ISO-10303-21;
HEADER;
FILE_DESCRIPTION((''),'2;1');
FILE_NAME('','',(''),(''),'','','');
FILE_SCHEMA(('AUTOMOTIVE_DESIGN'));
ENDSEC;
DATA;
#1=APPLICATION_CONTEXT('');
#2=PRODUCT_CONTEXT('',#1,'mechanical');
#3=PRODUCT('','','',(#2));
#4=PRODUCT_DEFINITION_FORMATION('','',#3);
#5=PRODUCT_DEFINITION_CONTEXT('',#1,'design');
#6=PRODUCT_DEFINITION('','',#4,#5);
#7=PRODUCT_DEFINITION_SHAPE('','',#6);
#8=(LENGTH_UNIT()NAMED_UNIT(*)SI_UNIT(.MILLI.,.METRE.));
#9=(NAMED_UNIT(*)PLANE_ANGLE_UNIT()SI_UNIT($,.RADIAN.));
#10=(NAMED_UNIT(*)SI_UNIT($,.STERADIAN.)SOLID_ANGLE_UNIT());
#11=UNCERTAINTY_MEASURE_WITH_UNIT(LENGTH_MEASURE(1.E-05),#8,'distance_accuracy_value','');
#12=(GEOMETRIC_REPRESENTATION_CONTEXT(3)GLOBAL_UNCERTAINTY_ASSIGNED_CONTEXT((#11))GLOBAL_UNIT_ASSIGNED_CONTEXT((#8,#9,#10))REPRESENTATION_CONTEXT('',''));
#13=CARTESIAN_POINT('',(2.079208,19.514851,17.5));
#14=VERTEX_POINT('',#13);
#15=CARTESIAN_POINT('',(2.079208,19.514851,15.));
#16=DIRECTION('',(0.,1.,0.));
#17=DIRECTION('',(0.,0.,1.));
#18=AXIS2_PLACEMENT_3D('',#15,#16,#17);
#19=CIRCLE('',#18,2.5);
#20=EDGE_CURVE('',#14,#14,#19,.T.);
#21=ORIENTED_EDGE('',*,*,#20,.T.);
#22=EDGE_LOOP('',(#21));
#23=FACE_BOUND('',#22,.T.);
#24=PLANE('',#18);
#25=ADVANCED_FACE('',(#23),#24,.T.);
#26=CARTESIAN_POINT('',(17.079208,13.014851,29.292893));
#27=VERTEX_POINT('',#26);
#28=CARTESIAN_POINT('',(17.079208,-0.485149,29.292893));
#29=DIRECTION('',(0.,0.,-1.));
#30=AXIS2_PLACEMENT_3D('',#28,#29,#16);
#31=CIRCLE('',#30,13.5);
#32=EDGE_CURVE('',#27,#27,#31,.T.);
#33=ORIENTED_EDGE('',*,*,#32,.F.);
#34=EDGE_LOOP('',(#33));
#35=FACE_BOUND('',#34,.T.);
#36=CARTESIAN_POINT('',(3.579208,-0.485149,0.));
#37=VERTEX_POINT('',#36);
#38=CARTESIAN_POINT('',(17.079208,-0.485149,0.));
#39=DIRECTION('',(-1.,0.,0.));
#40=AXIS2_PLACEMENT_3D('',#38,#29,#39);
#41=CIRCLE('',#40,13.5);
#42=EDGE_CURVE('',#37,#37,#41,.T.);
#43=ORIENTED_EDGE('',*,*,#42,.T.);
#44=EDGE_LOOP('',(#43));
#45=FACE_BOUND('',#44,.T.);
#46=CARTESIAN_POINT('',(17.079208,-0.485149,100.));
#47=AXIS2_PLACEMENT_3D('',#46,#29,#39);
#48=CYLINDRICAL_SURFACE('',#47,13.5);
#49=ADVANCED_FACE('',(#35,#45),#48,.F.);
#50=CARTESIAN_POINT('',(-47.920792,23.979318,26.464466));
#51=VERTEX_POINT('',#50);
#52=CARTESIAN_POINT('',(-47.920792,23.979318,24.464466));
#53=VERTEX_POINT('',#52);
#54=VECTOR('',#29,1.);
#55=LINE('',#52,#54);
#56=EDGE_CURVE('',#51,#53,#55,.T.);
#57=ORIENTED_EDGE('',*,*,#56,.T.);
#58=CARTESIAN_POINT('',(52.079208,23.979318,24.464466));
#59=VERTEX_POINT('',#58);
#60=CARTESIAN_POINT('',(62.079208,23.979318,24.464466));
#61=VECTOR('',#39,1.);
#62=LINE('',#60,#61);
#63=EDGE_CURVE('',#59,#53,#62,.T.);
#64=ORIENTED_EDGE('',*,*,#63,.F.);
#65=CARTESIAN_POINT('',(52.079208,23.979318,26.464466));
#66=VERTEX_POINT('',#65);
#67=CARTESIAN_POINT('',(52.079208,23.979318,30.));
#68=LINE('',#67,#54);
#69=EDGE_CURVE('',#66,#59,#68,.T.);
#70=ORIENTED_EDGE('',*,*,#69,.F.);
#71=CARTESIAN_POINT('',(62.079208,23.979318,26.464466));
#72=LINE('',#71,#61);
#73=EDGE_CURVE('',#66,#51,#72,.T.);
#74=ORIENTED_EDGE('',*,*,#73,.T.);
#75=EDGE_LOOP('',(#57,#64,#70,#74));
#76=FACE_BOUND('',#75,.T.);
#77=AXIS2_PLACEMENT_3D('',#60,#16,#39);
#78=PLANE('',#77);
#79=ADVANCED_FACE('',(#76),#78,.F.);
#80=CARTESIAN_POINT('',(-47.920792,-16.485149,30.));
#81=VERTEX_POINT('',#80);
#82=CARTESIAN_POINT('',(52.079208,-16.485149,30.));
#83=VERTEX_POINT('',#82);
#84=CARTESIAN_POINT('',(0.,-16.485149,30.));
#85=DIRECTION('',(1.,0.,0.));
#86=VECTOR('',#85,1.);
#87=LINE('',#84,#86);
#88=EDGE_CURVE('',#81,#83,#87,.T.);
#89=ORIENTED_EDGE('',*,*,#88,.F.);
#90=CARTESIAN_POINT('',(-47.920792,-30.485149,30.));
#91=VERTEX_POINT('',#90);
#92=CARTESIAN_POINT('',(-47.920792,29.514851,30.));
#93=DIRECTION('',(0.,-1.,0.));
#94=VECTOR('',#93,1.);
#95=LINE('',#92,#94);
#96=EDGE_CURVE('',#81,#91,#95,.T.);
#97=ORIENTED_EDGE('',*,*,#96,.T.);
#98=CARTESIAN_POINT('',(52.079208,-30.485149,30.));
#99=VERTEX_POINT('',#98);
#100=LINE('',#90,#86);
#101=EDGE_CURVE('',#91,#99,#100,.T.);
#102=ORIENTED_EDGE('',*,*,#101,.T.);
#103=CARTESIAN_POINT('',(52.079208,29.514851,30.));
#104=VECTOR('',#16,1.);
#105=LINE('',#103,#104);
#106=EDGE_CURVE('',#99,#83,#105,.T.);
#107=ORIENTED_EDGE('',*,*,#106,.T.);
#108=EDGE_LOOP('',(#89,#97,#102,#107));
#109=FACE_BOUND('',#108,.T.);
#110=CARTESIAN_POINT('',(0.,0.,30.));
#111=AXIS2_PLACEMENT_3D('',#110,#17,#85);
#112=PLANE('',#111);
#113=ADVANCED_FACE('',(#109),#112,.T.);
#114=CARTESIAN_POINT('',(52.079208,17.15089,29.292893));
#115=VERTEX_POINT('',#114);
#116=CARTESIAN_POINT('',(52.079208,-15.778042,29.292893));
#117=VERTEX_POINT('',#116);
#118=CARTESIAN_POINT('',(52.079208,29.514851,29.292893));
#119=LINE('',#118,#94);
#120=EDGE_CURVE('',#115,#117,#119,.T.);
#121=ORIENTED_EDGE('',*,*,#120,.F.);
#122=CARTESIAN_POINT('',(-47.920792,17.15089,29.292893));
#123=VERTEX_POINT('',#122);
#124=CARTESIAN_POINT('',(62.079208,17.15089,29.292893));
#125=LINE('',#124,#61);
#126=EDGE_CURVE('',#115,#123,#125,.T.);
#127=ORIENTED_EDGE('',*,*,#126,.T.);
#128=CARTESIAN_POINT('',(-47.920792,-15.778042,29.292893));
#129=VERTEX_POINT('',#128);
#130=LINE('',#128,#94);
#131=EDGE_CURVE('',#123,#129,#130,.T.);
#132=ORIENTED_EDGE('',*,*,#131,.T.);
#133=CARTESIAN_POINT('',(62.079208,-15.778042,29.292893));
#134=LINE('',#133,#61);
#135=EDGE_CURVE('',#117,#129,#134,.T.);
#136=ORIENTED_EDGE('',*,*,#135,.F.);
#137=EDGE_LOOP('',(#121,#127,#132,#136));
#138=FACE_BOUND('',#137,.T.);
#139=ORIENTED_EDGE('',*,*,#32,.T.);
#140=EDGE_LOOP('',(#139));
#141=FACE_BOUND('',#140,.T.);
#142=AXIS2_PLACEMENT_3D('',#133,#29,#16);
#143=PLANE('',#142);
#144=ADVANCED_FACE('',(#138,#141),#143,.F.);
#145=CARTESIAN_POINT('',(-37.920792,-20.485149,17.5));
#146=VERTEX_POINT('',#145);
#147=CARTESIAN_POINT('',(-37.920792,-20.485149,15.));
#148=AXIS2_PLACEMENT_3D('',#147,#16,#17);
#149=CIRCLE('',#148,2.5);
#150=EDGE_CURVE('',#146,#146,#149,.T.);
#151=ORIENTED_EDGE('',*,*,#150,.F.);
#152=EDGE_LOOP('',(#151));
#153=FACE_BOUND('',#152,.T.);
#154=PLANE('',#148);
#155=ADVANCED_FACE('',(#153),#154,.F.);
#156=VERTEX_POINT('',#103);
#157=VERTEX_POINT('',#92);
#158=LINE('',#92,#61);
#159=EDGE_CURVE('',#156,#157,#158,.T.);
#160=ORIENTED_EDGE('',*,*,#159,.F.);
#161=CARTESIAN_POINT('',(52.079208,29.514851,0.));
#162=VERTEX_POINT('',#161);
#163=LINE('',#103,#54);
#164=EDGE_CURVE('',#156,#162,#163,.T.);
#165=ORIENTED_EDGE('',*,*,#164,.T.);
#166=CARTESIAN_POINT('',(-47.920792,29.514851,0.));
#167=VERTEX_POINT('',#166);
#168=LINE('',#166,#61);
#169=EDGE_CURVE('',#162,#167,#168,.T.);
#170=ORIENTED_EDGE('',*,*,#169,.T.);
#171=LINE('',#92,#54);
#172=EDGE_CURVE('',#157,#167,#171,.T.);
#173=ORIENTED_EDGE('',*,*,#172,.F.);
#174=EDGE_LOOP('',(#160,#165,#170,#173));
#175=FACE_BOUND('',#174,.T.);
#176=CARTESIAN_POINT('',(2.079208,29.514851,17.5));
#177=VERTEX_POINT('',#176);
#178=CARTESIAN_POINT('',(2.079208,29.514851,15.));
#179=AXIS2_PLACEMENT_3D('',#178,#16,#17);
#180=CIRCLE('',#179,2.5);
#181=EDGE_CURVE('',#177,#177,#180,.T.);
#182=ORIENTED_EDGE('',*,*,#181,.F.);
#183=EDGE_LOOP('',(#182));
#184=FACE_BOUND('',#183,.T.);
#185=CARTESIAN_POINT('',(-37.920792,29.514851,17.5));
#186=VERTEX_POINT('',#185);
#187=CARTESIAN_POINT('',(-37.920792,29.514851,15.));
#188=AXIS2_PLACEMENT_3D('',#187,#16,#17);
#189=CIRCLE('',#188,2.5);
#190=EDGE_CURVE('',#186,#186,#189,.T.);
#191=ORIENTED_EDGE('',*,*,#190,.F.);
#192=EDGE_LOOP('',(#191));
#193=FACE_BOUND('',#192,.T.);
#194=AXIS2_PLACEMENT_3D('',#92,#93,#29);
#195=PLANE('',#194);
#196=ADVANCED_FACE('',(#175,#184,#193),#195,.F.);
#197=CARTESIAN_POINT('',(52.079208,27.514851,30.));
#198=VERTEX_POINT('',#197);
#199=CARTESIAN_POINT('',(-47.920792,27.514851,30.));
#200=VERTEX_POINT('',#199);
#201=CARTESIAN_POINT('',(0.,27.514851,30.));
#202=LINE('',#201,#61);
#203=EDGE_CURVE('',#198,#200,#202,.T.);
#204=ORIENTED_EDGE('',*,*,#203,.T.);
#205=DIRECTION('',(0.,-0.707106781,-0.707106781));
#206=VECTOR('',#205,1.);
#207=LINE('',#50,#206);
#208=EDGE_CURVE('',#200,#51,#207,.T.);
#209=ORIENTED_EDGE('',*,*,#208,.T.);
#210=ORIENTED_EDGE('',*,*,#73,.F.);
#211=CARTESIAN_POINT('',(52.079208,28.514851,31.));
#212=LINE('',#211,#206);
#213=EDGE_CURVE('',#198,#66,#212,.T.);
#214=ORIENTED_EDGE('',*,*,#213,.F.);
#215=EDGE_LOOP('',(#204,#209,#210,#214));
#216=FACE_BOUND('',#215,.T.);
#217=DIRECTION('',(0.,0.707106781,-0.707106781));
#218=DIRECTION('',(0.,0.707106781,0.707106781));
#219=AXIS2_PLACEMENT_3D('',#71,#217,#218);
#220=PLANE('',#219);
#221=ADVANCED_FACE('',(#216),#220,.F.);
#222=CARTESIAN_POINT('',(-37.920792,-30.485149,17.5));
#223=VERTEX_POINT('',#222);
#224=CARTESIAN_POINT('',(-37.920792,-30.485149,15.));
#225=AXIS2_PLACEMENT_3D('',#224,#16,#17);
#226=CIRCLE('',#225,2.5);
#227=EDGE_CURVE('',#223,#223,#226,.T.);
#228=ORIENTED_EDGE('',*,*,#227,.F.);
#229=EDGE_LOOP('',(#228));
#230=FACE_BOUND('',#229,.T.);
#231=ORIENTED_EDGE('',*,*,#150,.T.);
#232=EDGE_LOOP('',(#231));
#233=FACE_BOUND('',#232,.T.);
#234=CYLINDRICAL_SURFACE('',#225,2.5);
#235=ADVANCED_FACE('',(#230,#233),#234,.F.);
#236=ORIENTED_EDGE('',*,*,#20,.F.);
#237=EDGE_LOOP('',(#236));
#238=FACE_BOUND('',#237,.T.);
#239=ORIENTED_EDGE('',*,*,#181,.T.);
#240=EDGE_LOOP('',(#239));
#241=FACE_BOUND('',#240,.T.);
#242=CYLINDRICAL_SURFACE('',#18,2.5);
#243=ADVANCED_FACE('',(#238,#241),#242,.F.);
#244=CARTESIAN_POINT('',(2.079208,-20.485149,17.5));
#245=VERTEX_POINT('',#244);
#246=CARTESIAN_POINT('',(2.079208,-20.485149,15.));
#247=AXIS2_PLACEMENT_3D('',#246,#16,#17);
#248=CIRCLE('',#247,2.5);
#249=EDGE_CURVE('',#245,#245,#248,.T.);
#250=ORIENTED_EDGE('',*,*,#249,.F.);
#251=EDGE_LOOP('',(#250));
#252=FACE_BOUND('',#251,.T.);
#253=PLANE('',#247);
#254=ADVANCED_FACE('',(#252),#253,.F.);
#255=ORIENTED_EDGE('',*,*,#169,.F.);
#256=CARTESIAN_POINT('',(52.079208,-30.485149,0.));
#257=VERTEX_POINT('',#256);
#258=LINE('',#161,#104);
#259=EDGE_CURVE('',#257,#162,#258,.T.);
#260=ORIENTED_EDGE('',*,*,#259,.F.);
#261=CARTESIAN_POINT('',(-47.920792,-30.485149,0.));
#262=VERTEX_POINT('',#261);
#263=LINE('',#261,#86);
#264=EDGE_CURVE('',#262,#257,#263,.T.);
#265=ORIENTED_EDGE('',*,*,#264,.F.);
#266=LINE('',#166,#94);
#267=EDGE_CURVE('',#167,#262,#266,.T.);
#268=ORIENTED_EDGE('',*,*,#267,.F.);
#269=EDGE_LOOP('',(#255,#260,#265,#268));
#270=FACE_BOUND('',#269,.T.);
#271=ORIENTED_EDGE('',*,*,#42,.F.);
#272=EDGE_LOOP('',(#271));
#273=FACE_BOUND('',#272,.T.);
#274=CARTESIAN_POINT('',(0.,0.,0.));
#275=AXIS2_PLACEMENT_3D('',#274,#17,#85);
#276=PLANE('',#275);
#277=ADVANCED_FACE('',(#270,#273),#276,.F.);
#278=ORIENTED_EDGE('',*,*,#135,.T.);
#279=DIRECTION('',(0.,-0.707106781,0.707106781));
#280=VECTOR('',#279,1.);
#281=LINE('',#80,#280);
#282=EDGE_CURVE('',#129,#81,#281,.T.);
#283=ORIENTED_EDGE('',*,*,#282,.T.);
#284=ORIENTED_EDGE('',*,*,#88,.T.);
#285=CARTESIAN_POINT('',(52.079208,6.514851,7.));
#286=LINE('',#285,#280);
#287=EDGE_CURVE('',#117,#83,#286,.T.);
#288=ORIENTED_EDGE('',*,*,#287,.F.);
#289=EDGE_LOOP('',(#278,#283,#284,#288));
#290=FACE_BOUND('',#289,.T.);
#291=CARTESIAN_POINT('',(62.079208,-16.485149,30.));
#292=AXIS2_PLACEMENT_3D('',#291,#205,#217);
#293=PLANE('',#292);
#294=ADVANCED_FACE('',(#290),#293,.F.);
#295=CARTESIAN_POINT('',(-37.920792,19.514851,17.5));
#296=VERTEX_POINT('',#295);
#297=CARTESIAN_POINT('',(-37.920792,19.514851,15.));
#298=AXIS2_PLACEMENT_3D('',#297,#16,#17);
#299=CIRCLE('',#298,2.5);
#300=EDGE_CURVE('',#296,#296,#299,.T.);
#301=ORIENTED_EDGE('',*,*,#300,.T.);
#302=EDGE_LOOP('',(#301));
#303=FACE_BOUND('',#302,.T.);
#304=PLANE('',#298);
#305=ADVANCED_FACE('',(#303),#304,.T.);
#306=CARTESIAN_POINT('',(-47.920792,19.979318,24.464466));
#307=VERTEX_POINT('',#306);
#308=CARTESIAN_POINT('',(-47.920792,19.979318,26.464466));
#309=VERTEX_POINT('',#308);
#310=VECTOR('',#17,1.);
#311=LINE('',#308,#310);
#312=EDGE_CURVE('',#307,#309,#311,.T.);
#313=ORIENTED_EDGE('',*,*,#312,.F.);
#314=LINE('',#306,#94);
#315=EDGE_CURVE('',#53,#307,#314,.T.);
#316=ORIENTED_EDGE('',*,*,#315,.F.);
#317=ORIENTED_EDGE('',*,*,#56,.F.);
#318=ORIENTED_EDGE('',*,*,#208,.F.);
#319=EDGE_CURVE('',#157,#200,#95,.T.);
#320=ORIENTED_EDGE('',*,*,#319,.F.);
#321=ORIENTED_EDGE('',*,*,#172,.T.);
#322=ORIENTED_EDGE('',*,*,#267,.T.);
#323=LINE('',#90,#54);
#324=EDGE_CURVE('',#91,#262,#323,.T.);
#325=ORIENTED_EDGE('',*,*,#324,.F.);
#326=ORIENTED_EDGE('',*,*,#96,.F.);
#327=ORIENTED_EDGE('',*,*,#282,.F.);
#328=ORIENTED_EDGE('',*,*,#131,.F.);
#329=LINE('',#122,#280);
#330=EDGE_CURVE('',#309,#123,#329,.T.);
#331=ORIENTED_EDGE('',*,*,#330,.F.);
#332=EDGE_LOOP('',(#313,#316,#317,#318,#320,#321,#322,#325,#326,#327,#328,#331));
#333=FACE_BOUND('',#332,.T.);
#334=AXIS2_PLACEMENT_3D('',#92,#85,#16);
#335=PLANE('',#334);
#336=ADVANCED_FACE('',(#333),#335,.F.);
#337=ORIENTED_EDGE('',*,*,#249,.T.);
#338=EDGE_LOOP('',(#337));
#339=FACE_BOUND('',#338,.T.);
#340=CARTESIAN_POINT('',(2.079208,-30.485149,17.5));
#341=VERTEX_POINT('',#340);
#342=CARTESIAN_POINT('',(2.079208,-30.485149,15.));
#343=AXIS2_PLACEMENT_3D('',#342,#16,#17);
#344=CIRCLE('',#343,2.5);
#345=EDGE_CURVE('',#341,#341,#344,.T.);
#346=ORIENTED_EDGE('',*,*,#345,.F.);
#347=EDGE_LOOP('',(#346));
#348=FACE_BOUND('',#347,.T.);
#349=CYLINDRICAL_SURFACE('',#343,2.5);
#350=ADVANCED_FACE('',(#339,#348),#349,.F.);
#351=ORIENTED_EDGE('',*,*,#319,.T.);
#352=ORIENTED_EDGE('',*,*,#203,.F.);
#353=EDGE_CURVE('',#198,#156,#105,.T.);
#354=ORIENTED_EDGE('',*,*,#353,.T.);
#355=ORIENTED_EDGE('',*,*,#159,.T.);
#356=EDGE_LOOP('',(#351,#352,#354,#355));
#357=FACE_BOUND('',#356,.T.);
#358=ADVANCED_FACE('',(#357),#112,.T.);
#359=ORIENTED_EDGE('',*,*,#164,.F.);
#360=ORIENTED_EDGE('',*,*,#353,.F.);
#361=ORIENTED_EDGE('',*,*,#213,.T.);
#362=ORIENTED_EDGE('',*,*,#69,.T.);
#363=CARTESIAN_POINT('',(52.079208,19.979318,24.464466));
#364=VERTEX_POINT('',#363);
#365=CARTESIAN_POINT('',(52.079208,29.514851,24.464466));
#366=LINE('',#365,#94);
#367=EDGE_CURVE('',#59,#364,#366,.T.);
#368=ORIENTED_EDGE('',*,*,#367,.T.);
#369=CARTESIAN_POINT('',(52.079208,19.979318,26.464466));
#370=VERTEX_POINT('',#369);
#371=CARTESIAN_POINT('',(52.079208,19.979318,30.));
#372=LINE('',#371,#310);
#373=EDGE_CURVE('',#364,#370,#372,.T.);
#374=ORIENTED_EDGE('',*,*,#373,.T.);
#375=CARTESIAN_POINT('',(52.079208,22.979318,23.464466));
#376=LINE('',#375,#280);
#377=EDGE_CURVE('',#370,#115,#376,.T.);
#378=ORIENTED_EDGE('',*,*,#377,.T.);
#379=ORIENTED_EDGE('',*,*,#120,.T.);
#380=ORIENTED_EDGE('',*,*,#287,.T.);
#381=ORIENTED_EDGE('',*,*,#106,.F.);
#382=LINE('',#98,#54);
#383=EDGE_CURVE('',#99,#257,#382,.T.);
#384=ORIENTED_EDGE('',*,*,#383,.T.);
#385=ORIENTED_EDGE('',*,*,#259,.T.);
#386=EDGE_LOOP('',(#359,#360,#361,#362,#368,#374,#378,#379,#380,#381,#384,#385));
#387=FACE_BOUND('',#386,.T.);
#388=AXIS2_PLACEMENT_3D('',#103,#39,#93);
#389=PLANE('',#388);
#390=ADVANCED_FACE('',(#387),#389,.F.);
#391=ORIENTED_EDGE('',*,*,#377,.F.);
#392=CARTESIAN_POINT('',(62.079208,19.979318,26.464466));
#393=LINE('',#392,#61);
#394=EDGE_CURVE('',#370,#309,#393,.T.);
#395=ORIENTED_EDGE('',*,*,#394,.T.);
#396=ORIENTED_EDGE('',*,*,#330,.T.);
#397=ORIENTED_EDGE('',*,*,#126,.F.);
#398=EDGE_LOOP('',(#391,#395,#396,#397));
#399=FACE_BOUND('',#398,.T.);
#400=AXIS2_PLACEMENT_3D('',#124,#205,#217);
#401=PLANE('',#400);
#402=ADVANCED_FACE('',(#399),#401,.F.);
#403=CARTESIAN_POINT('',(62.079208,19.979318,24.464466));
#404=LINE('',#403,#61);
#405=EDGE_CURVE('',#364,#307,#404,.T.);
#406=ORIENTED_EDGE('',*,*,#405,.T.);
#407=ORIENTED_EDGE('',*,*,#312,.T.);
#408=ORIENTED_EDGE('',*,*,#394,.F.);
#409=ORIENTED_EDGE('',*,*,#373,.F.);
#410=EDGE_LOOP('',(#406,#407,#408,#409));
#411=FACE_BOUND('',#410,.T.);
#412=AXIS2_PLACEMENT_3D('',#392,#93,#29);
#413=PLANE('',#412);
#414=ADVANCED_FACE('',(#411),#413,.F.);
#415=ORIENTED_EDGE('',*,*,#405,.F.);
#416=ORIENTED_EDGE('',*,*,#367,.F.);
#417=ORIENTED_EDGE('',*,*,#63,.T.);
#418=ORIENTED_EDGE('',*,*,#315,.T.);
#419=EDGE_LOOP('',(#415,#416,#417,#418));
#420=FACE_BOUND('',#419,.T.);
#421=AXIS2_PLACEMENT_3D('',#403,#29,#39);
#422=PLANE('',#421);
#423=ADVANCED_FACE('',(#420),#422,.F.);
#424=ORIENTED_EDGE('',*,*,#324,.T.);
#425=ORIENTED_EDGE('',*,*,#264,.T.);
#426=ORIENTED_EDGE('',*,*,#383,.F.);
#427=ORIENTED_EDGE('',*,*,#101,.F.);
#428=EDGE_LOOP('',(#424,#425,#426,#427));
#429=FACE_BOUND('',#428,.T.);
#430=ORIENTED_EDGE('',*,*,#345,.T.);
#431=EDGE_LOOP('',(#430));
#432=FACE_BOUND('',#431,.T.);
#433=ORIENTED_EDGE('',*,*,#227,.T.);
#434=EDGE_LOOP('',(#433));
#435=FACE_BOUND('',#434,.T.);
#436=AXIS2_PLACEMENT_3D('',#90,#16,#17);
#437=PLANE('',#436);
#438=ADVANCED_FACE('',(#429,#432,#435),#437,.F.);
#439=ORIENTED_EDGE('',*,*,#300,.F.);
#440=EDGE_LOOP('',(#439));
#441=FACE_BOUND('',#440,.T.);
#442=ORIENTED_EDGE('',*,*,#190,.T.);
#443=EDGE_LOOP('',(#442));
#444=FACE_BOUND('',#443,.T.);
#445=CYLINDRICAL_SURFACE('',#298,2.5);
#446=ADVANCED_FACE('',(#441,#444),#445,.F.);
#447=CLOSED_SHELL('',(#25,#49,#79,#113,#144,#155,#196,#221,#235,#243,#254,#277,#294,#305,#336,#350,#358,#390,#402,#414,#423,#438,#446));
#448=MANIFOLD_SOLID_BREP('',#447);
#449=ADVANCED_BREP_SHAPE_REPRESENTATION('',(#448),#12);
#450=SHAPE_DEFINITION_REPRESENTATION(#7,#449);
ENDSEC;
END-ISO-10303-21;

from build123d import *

# Parameters (mm, degrees)
SKETCH1_W                   = 100
SKETCH1_H                   = 60
BOSS_EXTRUDE1_DEPTH         = 30
CUT_EXTRUDE1_DEPTH          = 110
SKETCH_1_R                  = 2.5
CUT_EXTRUDE_1_DEPTH         = 10
PATTERN_LINEAR_1_COUNT      = 2
PATTERN_LINEAR_1_PITCH      = 40
PATTERN_LINEAR_1_COUNT_DIR2 = 2
PATTERN_LINEAR_1_PITCH_DIR2 = 50
SKETCH_2_R                  = 13.5
CUT_EXTRUDE_2_DEPTH         = 100


with BuildPart() as part:
    # Sketch1 → Boss-Extrude1 (new body)
    with BuildSketch(Plane.XY):
        with Locations((2.079207921, -0.485148515)):
            Rectangle(SKETCH1_W, SKETCH1_H)
    extrude(amount=BOSS_EXTRUDE1_DEPTH)

    # Sketch3 → Cut-Extrude1 (cut)
    with BuildSketch(Plane.ZY.offset(47.920792079)):
        Polygon((30, -30.485148515), (30, -16.485148515), (29.292893219, -15.778041734), (29.292893219, 17.150890454), (26.464466094, 19.979317579), (24.464466094, 19.979317579), (24.464466094, 23.979317579), (26.464466094, 23.979317579), (30, 27.514851485), (30, 29.514851485), (35.630972976, 28.601630178), (37.149112702, -26.247837132), align=None)
    extrude(amount=-CUT_EXTRUDE1_DEPTH, mode=Mode.SUBTRACT)

    # Эскиз1 → Вырез-Вытянуть1 (cut)
    with BuildSketch(Plane(origin=(0, 29.514851485, 0), x_dir=(1, 0, 0), z_dir=(0, 1, 0))):
        with Locations((2.079207921, -15)):
            Circle(SKETCH_1_R)
    cut_extrude_1 = extrude(amount=-CUT_EXTRUDE_1_DEPTH, mode=Mode.SUBTRACT)

    # Линейный массив1: Cut-Extrude 1 2 × 2
    with Locations(*[(-i * PATTERN_LINEAR_1_PITCH, -j * PATTERN_LINEAR_1_PITCH_DIR2, 0) for i in range(PATTERN_LINEAR_1_COUNT) for j in range(PATTERN_LINEAR_1_COUNT_DIR2) if (i, j) != (0, 0)]):
        add(cut_extrude_1, mode=Mode.SUBTRACT)

    # Эскиз2 → Вырез-Вытянуть2 (cut)
    with BuildSketch(Plane(origin=(0, 0, 0), x_dir=(-1, 0, 0), z_dir=(0, 0, -1))):
        with Locations((-17.079207921, -0.485148515)):
            Circle(SKETCH_2_R)
    extrude(amount=-CUT_EXTRUDE_2_DEPTH, mode=Mode.SUBTRACT)


solid = part.part
